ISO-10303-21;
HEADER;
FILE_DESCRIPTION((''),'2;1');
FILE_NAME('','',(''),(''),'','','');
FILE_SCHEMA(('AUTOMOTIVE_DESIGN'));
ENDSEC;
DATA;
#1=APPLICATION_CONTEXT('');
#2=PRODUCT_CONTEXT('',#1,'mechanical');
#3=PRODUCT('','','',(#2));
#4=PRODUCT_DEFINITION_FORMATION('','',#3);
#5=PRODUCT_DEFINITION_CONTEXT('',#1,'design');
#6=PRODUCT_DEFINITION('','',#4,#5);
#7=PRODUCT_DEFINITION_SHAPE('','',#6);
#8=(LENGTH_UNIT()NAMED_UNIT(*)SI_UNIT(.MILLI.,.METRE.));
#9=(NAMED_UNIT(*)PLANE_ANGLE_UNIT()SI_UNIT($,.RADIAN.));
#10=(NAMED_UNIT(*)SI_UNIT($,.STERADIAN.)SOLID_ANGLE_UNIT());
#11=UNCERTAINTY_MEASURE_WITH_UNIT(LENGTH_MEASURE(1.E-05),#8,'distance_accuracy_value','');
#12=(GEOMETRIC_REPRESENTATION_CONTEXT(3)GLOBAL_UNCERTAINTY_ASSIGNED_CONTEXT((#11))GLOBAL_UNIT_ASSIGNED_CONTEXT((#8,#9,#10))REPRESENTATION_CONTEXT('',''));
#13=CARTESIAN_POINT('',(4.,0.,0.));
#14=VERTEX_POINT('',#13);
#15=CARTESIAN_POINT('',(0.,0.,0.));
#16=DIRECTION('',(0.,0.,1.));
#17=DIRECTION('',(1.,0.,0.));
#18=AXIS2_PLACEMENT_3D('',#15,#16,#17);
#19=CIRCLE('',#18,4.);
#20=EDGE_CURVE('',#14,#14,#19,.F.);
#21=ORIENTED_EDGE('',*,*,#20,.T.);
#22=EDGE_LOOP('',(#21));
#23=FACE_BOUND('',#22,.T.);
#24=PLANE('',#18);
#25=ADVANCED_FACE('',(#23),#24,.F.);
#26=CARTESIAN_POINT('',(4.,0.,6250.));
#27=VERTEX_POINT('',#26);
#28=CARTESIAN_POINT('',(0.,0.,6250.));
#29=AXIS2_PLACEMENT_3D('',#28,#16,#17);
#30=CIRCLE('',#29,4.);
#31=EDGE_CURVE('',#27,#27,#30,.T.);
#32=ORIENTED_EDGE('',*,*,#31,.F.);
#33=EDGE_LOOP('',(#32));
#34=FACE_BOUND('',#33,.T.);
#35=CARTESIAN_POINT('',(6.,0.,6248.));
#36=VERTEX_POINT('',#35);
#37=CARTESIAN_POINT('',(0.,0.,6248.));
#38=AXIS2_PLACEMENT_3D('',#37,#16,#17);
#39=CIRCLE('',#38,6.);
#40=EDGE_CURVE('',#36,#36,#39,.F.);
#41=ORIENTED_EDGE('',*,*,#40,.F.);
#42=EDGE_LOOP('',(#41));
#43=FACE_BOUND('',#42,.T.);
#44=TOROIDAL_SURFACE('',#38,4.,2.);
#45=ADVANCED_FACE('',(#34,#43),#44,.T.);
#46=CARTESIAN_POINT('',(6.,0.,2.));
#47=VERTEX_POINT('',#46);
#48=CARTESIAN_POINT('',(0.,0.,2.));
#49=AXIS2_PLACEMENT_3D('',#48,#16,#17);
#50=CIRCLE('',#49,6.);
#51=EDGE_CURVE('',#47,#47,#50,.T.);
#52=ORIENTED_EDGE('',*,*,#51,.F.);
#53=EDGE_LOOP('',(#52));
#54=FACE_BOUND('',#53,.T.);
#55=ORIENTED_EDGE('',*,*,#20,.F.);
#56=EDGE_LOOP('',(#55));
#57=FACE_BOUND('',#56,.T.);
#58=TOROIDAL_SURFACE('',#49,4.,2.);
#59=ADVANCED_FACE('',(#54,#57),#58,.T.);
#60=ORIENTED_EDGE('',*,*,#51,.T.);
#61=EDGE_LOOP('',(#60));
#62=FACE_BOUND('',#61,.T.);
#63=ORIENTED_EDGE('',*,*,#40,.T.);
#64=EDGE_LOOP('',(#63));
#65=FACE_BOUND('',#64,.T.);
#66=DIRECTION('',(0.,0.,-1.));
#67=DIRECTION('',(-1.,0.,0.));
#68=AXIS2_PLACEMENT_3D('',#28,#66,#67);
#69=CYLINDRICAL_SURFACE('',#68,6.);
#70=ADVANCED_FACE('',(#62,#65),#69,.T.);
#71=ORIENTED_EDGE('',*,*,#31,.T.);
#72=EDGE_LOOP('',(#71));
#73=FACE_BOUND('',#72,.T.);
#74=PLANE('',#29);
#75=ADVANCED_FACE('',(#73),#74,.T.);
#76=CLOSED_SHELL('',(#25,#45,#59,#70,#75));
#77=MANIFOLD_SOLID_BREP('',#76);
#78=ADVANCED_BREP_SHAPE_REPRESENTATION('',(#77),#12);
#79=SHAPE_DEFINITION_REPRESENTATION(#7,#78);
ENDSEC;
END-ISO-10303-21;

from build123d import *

# Parameters (mm, degrees)
ESQUISSE1_R        = 6
BOSS_EXTRU_1_DEPTH = 6250
CONG_1_R           = 2


with BuildPart() as part:
    # Esquisse1 → Boss.-Extru.1 (new body)
    with BuildSketch(Plane.XY):
        Circle(ESQUISSE1_R)
    extrude(amount=BOSS_EXTRU_1_DEPTH)

    # Congé1
    cong_1_edges = [part.edges().sort_by_distance(p)[0] for p in [
        (-6, 0, 0),
        (-6, 0, 6250),
    ]]
    fillet(cong_1_edges, radius=CONG_1_R)


solid = part.part
